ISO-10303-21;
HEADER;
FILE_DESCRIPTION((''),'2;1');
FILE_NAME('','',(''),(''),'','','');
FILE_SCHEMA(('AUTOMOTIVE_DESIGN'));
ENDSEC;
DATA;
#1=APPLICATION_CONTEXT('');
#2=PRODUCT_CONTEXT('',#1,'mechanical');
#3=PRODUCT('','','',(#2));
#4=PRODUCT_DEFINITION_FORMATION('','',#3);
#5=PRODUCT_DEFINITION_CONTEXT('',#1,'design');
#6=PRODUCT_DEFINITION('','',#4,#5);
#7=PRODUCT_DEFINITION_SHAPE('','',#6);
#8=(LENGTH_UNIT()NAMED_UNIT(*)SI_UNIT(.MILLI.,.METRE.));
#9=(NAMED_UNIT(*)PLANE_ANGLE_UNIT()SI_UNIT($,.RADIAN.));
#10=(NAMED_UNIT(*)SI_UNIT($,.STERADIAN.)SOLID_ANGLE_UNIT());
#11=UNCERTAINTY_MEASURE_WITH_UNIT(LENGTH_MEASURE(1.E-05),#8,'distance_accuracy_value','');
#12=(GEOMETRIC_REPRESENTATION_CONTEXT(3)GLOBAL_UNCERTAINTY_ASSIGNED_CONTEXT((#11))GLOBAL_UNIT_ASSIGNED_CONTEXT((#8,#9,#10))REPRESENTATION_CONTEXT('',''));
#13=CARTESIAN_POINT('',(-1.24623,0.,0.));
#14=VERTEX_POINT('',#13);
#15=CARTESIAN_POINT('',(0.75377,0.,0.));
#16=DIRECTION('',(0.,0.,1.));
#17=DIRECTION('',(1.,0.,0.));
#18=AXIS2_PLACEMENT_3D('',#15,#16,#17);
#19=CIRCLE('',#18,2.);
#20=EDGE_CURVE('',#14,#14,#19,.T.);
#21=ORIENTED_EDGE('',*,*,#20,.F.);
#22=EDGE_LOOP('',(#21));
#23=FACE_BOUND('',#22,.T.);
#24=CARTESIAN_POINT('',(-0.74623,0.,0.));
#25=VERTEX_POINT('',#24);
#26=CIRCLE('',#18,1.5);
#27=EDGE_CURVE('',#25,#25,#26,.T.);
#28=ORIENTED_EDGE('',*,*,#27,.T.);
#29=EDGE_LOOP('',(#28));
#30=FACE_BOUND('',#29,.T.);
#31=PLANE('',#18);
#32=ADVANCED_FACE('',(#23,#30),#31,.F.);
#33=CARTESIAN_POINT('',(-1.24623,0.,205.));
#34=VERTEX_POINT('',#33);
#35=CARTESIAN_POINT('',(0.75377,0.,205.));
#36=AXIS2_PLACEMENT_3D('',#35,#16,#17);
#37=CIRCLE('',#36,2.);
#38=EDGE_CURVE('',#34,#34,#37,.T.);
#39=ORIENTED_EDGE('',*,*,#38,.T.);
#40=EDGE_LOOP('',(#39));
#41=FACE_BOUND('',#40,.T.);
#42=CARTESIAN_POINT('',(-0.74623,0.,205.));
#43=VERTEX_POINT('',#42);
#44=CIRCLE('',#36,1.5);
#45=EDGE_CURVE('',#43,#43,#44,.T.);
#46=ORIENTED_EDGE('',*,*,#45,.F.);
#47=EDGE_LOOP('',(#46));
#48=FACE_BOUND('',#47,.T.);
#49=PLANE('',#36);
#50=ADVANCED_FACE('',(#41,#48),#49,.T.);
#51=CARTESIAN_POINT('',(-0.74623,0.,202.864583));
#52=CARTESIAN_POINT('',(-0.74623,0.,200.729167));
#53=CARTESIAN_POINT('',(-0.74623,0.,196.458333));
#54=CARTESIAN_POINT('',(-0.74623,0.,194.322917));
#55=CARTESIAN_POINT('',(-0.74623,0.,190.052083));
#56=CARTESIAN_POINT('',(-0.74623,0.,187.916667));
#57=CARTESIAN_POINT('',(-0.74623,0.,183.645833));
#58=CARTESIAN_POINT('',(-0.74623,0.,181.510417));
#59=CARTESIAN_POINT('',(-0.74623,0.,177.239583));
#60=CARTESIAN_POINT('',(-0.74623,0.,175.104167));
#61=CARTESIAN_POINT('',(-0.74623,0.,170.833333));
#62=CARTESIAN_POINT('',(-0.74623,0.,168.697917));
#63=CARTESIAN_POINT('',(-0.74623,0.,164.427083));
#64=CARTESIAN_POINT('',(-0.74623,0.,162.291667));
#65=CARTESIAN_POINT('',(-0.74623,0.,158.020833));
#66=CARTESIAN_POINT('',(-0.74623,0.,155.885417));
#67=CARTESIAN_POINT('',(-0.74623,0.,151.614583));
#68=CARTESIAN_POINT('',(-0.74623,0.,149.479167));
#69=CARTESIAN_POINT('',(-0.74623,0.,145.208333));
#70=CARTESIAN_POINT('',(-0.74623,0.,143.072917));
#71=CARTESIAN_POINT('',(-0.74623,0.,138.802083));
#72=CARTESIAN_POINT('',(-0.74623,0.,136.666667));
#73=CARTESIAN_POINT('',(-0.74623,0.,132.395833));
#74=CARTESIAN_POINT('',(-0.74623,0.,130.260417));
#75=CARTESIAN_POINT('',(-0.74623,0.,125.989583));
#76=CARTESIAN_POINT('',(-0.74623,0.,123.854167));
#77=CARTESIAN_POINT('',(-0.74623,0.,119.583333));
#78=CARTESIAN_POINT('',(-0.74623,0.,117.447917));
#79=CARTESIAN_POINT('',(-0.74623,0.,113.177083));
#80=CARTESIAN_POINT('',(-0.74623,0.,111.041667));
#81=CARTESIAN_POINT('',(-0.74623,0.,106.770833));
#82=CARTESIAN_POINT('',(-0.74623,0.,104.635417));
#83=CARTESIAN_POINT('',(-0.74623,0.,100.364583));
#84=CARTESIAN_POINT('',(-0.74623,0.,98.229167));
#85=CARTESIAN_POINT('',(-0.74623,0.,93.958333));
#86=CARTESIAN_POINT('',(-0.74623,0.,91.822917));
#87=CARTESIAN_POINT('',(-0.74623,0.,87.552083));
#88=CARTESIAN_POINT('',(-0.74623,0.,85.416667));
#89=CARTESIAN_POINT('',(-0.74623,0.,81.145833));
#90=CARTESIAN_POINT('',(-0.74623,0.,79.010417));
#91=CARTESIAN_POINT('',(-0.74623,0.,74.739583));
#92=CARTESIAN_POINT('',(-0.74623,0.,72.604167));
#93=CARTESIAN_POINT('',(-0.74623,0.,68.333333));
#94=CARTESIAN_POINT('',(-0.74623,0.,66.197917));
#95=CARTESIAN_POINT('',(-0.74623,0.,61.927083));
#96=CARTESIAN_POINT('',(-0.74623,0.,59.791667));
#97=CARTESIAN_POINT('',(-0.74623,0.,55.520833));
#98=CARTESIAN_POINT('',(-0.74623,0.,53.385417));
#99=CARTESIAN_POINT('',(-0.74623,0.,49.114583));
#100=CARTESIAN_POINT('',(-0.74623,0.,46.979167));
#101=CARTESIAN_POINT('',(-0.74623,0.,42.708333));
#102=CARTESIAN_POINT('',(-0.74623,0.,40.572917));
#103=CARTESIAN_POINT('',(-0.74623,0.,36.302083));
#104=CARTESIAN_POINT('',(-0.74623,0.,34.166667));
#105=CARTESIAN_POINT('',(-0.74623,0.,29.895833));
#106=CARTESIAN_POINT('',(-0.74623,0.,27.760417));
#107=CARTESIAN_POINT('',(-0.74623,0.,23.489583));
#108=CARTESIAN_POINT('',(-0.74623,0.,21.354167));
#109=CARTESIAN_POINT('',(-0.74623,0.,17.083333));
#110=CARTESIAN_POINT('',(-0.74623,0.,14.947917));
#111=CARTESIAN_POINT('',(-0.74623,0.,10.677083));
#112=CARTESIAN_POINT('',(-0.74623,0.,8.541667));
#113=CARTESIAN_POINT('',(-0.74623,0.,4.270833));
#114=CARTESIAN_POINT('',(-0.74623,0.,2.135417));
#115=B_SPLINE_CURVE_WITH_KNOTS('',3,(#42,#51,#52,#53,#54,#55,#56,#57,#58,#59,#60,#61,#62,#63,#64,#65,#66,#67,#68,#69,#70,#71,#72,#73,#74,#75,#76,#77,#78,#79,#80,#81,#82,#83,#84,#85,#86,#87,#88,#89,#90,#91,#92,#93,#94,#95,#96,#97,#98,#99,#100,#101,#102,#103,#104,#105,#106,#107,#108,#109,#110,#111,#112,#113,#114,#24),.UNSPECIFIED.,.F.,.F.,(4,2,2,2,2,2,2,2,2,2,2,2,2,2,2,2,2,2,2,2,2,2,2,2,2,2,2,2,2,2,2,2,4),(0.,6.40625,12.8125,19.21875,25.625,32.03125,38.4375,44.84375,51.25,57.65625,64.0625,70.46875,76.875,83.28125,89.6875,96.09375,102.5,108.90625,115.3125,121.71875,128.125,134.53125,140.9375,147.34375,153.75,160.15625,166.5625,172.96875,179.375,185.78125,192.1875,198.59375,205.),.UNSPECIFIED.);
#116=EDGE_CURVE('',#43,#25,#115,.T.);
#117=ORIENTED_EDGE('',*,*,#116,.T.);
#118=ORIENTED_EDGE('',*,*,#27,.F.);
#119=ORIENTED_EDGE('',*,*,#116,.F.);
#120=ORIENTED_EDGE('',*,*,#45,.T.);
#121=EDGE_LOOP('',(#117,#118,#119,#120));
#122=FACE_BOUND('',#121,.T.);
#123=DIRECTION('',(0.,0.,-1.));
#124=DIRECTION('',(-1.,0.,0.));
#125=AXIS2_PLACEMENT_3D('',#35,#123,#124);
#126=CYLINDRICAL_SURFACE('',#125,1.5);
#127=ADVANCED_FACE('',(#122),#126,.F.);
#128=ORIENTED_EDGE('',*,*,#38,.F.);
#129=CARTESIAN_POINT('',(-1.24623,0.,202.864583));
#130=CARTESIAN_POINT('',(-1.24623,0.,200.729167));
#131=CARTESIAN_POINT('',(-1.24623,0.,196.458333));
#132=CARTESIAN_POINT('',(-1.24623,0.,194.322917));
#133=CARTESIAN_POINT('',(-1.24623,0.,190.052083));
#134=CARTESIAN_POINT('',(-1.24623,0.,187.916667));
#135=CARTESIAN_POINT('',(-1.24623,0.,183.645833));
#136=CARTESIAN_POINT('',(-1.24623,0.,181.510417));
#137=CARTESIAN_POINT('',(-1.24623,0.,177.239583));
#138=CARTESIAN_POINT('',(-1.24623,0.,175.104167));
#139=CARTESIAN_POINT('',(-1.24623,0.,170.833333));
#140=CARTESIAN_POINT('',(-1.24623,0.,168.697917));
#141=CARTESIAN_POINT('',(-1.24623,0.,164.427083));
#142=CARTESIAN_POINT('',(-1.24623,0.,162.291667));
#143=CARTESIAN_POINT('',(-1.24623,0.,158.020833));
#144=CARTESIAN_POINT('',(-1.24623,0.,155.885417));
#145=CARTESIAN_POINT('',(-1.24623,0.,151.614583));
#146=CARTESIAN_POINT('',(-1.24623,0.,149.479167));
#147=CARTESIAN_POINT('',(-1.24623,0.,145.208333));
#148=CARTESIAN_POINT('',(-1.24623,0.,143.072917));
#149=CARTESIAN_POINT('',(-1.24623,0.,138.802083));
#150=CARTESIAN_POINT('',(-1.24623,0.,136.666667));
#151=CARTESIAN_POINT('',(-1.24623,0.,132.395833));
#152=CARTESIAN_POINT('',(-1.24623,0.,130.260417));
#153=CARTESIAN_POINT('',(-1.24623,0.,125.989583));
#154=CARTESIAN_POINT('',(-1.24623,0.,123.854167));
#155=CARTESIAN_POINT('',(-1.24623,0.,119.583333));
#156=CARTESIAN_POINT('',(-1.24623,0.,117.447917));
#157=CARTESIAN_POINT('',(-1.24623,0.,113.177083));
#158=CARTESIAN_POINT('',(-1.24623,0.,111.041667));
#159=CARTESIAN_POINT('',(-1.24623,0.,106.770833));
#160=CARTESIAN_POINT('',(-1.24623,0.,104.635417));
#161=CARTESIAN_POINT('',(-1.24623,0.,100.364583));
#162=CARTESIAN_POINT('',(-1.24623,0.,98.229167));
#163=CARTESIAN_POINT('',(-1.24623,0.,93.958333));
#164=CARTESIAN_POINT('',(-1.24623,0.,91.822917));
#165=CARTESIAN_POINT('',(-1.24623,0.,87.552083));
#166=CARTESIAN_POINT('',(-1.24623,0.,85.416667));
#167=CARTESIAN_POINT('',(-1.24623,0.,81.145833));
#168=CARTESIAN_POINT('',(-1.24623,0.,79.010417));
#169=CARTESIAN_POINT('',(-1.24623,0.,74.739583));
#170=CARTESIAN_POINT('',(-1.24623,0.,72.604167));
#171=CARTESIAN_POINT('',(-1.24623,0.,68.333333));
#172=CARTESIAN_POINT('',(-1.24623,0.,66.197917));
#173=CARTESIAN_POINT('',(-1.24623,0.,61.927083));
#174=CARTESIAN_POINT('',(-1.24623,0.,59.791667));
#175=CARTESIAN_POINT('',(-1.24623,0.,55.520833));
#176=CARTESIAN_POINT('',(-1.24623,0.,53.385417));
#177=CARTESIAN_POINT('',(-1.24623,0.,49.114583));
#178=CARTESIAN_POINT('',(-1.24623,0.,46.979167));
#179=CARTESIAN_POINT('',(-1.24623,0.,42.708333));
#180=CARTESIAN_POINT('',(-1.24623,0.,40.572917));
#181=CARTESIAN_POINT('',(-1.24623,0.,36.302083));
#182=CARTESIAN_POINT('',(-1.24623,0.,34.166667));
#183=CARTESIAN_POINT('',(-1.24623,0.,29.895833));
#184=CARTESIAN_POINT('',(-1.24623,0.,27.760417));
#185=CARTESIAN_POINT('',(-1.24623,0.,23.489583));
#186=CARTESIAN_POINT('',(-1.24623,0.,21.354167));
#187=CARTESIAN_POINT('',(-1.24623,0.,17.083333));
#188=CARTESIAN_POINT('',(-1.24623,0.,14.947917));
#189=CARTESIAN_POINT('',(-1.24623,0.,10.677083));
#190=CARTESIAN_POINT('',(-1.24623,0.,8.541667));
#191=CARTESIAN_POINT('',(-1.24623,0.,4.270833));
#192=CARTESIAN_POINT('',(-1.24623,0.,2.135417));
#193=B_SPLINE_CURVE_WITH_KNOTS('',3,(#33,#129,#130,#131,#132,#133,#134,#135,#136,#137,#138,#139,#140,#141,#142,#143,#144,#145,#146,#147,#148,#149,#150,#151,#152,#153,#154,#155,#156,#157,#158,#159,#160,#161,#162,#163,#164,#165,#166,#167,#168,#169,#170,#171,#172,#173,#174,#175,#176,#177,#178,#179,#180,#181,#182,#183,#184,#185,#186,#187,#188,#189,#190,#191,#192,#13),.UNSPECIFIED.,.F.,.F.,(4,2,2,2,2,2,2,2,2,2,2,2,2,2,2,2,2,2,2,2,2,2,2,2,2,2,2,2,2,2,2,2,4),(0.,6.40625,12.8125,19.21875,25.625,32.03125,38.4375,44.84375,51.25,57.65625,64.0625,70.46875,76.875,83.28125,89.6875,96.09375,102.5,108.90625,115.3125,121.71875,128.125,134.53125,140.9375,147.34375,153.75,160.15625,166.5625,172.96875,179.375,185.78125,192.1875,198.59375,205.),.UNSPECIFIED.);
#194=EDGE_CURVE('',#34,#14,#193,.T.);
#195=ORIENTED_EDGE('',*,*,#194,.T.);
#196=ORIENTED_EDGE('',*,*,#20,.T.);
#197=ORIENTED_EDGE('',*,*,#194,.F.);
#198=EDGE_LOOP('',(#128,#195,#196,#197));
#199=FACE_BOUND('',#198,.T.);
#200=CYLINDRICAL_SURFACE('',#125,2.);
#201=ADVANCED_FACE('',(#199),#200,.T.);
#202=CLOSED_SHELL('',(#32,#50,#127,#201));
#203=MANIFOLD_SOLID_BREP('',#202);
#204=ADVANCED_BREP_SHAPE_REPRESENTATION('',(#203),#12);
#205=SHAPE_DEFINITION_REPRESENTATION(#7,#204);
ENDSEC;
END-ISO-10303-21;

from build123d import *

# Parameters (mm, degrees)
ESQUISSE1_R        = 2
ESQUISSE1_R_2      = 1.5
EXTRU_MINCE1_DEPTH = 205


with BuildPart() as part:
    # Esquisse1 → Extru.-Mince1 (new body)
    with BuildSketch(Plane.XY):
        with Locations((0.753770009, 0)):
            Circle(ESQUISSE1_R)
        with Locations((0.753770009, 0)):
            Circle(ESQUISSE1_R_2, mode=Mode.SUBTRACT)
    extrude(amount=EXTRU_MINCE1_DEPTH)


solid = part.part
